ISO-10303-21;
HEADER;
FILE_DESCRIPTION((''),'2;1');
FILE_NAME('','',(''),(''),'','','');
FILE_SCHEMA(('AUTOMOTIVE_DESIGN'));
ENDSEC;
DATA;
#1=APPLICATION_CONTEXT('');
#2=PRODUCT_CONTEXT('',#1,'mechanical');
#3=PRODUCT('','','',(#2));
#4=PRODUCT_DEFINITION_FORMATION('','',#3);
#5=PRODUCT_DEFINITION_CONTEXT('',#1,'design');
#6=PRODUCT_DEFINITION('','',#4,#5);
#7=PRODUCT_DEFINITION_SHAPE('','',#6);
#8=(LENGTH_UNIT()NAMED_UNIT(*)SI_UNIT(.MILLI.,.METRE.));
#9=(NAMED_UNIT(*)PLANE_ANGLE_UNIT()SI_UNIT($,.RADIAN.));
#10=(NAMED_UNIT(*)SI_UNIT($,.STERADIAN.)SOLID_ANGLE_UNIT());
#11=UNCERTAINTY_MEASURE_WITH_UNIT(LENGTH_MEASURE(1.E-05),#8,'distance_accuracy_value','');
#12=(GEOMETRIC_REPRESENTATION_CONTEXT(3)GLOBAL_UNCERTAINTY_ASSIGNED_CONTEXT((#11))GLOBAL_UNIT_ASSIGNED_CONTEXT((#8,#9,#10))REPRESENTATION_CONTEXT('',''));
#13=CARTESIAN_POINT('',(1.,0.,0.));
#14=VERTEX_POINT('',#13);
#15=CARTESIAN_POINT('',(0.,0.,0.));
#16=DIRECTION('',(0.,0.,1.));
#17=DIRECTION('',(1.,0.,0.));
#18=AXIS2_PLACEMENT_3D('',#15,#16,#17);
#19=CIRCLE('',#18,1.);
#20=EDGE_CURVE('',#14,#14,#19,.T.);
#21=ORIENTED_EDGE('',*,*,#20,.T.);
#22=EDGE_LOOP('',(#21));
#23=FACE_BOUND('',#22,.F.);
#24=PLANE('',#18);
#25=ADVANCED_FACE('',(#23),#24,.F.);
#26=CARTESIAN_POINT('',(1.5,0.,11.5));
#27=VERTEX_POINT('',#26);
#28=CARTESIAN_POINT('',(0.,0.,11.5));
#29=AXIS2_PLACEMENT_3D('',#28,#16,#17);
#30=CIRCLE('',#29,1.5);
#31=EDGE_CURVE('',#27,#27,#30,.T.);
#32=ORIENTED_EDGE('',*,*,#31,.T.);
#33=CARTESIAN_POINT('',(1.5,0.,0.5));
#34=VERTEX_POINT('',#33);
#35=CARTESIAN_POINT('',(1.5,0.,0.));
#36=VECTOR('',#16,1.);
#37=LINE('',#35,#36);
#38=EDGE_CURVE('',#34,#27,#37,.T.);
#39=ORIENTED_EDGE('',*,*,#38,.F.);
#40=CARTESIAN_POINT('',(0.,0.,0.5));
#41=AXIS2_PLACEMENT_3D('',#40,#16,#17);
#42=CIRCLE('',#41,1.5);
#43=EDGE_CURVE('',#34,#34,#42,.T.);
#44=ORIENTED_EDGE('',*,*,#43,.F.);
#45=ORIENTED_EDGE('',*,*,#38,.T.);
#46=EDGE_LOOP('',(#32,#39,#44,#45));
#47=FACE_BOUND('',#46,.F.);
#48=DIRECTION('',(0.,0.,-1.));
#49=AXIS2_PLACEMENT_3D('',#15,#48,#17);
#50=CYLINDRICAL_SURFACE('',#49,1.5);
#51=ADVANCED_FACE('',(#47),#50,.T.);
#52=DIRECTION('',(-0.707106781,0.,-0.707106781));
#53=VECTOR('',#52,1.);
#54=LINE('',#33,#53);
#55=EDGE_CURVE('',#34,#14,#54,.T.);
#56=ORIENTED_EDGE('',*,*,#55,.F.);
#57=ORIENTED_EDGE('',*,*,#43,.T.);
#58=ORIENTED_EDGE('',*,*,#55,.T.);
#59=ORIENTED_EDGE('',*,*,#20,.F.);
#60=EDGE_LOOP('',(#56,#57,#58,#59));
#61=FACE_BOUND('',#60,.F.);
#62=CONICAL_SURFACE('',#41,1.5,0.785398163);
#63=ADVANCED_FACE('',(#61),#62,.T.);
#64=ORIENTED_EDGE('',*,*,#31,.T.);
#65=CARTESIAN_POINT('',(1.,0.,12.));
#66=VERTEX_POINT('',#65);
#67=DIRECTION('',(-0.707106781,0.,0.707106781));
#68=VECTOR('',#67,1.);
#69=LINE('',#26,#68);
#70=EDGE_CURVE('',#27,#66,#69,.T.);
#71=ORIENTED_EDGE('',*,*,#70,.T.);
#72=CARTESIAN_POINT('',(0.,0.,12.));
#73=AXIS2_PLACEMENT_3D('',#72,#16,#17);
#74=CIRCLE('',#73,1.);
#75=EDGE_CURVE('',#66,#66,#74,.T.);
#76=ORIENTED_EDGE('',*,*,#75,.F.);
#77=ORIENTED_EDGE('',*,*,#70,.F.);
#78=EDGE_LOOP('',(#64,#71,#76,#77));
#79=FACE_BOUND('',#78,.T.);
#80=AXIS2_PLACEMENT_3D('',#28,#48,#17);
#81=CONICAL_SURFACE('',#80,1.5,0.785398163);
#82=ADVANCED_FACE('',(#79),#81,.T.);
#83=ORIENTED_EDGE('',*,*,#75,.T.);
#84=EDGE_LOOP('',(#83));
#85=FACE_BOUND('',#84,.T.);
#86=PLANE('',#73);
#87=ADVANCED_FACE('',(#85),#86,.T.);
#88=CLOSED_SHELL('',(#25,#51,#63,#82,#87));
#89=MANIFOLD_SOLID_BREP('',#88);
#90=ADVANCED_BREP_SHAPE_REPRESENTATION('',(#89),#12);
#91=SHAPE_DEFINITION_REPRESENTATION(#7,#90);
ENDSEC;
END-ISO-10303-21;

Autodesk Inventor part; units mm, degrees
ref_plane "YZ Plane" through (0, 0, 0) normal (1, 0, 0) x (0, 1, 0)
ref_plane "XZ Plane" through (0, 0, 0) normal (0, 1, 0) x (-1, 0, 0)
ref_plane "XY Plane" through (0, 0, 0) normal (0, 0, 1) x (1, 0, 0)
sketch "草圖1" plane through (0, 0, 0) normal (0, 0, 1) x (1, 0, 0)
  circle A0 centre (0, 0) radius 1.5
  dimension "d0" = 3
extrude "擠出1" add sketch "草圖1" along normal blind 12
chamfer "倒角1" distance 0.5 angle 45 2 edges at (-1.5, 0, 12) (-1.5, 0, 0)
properties part number "軸"
